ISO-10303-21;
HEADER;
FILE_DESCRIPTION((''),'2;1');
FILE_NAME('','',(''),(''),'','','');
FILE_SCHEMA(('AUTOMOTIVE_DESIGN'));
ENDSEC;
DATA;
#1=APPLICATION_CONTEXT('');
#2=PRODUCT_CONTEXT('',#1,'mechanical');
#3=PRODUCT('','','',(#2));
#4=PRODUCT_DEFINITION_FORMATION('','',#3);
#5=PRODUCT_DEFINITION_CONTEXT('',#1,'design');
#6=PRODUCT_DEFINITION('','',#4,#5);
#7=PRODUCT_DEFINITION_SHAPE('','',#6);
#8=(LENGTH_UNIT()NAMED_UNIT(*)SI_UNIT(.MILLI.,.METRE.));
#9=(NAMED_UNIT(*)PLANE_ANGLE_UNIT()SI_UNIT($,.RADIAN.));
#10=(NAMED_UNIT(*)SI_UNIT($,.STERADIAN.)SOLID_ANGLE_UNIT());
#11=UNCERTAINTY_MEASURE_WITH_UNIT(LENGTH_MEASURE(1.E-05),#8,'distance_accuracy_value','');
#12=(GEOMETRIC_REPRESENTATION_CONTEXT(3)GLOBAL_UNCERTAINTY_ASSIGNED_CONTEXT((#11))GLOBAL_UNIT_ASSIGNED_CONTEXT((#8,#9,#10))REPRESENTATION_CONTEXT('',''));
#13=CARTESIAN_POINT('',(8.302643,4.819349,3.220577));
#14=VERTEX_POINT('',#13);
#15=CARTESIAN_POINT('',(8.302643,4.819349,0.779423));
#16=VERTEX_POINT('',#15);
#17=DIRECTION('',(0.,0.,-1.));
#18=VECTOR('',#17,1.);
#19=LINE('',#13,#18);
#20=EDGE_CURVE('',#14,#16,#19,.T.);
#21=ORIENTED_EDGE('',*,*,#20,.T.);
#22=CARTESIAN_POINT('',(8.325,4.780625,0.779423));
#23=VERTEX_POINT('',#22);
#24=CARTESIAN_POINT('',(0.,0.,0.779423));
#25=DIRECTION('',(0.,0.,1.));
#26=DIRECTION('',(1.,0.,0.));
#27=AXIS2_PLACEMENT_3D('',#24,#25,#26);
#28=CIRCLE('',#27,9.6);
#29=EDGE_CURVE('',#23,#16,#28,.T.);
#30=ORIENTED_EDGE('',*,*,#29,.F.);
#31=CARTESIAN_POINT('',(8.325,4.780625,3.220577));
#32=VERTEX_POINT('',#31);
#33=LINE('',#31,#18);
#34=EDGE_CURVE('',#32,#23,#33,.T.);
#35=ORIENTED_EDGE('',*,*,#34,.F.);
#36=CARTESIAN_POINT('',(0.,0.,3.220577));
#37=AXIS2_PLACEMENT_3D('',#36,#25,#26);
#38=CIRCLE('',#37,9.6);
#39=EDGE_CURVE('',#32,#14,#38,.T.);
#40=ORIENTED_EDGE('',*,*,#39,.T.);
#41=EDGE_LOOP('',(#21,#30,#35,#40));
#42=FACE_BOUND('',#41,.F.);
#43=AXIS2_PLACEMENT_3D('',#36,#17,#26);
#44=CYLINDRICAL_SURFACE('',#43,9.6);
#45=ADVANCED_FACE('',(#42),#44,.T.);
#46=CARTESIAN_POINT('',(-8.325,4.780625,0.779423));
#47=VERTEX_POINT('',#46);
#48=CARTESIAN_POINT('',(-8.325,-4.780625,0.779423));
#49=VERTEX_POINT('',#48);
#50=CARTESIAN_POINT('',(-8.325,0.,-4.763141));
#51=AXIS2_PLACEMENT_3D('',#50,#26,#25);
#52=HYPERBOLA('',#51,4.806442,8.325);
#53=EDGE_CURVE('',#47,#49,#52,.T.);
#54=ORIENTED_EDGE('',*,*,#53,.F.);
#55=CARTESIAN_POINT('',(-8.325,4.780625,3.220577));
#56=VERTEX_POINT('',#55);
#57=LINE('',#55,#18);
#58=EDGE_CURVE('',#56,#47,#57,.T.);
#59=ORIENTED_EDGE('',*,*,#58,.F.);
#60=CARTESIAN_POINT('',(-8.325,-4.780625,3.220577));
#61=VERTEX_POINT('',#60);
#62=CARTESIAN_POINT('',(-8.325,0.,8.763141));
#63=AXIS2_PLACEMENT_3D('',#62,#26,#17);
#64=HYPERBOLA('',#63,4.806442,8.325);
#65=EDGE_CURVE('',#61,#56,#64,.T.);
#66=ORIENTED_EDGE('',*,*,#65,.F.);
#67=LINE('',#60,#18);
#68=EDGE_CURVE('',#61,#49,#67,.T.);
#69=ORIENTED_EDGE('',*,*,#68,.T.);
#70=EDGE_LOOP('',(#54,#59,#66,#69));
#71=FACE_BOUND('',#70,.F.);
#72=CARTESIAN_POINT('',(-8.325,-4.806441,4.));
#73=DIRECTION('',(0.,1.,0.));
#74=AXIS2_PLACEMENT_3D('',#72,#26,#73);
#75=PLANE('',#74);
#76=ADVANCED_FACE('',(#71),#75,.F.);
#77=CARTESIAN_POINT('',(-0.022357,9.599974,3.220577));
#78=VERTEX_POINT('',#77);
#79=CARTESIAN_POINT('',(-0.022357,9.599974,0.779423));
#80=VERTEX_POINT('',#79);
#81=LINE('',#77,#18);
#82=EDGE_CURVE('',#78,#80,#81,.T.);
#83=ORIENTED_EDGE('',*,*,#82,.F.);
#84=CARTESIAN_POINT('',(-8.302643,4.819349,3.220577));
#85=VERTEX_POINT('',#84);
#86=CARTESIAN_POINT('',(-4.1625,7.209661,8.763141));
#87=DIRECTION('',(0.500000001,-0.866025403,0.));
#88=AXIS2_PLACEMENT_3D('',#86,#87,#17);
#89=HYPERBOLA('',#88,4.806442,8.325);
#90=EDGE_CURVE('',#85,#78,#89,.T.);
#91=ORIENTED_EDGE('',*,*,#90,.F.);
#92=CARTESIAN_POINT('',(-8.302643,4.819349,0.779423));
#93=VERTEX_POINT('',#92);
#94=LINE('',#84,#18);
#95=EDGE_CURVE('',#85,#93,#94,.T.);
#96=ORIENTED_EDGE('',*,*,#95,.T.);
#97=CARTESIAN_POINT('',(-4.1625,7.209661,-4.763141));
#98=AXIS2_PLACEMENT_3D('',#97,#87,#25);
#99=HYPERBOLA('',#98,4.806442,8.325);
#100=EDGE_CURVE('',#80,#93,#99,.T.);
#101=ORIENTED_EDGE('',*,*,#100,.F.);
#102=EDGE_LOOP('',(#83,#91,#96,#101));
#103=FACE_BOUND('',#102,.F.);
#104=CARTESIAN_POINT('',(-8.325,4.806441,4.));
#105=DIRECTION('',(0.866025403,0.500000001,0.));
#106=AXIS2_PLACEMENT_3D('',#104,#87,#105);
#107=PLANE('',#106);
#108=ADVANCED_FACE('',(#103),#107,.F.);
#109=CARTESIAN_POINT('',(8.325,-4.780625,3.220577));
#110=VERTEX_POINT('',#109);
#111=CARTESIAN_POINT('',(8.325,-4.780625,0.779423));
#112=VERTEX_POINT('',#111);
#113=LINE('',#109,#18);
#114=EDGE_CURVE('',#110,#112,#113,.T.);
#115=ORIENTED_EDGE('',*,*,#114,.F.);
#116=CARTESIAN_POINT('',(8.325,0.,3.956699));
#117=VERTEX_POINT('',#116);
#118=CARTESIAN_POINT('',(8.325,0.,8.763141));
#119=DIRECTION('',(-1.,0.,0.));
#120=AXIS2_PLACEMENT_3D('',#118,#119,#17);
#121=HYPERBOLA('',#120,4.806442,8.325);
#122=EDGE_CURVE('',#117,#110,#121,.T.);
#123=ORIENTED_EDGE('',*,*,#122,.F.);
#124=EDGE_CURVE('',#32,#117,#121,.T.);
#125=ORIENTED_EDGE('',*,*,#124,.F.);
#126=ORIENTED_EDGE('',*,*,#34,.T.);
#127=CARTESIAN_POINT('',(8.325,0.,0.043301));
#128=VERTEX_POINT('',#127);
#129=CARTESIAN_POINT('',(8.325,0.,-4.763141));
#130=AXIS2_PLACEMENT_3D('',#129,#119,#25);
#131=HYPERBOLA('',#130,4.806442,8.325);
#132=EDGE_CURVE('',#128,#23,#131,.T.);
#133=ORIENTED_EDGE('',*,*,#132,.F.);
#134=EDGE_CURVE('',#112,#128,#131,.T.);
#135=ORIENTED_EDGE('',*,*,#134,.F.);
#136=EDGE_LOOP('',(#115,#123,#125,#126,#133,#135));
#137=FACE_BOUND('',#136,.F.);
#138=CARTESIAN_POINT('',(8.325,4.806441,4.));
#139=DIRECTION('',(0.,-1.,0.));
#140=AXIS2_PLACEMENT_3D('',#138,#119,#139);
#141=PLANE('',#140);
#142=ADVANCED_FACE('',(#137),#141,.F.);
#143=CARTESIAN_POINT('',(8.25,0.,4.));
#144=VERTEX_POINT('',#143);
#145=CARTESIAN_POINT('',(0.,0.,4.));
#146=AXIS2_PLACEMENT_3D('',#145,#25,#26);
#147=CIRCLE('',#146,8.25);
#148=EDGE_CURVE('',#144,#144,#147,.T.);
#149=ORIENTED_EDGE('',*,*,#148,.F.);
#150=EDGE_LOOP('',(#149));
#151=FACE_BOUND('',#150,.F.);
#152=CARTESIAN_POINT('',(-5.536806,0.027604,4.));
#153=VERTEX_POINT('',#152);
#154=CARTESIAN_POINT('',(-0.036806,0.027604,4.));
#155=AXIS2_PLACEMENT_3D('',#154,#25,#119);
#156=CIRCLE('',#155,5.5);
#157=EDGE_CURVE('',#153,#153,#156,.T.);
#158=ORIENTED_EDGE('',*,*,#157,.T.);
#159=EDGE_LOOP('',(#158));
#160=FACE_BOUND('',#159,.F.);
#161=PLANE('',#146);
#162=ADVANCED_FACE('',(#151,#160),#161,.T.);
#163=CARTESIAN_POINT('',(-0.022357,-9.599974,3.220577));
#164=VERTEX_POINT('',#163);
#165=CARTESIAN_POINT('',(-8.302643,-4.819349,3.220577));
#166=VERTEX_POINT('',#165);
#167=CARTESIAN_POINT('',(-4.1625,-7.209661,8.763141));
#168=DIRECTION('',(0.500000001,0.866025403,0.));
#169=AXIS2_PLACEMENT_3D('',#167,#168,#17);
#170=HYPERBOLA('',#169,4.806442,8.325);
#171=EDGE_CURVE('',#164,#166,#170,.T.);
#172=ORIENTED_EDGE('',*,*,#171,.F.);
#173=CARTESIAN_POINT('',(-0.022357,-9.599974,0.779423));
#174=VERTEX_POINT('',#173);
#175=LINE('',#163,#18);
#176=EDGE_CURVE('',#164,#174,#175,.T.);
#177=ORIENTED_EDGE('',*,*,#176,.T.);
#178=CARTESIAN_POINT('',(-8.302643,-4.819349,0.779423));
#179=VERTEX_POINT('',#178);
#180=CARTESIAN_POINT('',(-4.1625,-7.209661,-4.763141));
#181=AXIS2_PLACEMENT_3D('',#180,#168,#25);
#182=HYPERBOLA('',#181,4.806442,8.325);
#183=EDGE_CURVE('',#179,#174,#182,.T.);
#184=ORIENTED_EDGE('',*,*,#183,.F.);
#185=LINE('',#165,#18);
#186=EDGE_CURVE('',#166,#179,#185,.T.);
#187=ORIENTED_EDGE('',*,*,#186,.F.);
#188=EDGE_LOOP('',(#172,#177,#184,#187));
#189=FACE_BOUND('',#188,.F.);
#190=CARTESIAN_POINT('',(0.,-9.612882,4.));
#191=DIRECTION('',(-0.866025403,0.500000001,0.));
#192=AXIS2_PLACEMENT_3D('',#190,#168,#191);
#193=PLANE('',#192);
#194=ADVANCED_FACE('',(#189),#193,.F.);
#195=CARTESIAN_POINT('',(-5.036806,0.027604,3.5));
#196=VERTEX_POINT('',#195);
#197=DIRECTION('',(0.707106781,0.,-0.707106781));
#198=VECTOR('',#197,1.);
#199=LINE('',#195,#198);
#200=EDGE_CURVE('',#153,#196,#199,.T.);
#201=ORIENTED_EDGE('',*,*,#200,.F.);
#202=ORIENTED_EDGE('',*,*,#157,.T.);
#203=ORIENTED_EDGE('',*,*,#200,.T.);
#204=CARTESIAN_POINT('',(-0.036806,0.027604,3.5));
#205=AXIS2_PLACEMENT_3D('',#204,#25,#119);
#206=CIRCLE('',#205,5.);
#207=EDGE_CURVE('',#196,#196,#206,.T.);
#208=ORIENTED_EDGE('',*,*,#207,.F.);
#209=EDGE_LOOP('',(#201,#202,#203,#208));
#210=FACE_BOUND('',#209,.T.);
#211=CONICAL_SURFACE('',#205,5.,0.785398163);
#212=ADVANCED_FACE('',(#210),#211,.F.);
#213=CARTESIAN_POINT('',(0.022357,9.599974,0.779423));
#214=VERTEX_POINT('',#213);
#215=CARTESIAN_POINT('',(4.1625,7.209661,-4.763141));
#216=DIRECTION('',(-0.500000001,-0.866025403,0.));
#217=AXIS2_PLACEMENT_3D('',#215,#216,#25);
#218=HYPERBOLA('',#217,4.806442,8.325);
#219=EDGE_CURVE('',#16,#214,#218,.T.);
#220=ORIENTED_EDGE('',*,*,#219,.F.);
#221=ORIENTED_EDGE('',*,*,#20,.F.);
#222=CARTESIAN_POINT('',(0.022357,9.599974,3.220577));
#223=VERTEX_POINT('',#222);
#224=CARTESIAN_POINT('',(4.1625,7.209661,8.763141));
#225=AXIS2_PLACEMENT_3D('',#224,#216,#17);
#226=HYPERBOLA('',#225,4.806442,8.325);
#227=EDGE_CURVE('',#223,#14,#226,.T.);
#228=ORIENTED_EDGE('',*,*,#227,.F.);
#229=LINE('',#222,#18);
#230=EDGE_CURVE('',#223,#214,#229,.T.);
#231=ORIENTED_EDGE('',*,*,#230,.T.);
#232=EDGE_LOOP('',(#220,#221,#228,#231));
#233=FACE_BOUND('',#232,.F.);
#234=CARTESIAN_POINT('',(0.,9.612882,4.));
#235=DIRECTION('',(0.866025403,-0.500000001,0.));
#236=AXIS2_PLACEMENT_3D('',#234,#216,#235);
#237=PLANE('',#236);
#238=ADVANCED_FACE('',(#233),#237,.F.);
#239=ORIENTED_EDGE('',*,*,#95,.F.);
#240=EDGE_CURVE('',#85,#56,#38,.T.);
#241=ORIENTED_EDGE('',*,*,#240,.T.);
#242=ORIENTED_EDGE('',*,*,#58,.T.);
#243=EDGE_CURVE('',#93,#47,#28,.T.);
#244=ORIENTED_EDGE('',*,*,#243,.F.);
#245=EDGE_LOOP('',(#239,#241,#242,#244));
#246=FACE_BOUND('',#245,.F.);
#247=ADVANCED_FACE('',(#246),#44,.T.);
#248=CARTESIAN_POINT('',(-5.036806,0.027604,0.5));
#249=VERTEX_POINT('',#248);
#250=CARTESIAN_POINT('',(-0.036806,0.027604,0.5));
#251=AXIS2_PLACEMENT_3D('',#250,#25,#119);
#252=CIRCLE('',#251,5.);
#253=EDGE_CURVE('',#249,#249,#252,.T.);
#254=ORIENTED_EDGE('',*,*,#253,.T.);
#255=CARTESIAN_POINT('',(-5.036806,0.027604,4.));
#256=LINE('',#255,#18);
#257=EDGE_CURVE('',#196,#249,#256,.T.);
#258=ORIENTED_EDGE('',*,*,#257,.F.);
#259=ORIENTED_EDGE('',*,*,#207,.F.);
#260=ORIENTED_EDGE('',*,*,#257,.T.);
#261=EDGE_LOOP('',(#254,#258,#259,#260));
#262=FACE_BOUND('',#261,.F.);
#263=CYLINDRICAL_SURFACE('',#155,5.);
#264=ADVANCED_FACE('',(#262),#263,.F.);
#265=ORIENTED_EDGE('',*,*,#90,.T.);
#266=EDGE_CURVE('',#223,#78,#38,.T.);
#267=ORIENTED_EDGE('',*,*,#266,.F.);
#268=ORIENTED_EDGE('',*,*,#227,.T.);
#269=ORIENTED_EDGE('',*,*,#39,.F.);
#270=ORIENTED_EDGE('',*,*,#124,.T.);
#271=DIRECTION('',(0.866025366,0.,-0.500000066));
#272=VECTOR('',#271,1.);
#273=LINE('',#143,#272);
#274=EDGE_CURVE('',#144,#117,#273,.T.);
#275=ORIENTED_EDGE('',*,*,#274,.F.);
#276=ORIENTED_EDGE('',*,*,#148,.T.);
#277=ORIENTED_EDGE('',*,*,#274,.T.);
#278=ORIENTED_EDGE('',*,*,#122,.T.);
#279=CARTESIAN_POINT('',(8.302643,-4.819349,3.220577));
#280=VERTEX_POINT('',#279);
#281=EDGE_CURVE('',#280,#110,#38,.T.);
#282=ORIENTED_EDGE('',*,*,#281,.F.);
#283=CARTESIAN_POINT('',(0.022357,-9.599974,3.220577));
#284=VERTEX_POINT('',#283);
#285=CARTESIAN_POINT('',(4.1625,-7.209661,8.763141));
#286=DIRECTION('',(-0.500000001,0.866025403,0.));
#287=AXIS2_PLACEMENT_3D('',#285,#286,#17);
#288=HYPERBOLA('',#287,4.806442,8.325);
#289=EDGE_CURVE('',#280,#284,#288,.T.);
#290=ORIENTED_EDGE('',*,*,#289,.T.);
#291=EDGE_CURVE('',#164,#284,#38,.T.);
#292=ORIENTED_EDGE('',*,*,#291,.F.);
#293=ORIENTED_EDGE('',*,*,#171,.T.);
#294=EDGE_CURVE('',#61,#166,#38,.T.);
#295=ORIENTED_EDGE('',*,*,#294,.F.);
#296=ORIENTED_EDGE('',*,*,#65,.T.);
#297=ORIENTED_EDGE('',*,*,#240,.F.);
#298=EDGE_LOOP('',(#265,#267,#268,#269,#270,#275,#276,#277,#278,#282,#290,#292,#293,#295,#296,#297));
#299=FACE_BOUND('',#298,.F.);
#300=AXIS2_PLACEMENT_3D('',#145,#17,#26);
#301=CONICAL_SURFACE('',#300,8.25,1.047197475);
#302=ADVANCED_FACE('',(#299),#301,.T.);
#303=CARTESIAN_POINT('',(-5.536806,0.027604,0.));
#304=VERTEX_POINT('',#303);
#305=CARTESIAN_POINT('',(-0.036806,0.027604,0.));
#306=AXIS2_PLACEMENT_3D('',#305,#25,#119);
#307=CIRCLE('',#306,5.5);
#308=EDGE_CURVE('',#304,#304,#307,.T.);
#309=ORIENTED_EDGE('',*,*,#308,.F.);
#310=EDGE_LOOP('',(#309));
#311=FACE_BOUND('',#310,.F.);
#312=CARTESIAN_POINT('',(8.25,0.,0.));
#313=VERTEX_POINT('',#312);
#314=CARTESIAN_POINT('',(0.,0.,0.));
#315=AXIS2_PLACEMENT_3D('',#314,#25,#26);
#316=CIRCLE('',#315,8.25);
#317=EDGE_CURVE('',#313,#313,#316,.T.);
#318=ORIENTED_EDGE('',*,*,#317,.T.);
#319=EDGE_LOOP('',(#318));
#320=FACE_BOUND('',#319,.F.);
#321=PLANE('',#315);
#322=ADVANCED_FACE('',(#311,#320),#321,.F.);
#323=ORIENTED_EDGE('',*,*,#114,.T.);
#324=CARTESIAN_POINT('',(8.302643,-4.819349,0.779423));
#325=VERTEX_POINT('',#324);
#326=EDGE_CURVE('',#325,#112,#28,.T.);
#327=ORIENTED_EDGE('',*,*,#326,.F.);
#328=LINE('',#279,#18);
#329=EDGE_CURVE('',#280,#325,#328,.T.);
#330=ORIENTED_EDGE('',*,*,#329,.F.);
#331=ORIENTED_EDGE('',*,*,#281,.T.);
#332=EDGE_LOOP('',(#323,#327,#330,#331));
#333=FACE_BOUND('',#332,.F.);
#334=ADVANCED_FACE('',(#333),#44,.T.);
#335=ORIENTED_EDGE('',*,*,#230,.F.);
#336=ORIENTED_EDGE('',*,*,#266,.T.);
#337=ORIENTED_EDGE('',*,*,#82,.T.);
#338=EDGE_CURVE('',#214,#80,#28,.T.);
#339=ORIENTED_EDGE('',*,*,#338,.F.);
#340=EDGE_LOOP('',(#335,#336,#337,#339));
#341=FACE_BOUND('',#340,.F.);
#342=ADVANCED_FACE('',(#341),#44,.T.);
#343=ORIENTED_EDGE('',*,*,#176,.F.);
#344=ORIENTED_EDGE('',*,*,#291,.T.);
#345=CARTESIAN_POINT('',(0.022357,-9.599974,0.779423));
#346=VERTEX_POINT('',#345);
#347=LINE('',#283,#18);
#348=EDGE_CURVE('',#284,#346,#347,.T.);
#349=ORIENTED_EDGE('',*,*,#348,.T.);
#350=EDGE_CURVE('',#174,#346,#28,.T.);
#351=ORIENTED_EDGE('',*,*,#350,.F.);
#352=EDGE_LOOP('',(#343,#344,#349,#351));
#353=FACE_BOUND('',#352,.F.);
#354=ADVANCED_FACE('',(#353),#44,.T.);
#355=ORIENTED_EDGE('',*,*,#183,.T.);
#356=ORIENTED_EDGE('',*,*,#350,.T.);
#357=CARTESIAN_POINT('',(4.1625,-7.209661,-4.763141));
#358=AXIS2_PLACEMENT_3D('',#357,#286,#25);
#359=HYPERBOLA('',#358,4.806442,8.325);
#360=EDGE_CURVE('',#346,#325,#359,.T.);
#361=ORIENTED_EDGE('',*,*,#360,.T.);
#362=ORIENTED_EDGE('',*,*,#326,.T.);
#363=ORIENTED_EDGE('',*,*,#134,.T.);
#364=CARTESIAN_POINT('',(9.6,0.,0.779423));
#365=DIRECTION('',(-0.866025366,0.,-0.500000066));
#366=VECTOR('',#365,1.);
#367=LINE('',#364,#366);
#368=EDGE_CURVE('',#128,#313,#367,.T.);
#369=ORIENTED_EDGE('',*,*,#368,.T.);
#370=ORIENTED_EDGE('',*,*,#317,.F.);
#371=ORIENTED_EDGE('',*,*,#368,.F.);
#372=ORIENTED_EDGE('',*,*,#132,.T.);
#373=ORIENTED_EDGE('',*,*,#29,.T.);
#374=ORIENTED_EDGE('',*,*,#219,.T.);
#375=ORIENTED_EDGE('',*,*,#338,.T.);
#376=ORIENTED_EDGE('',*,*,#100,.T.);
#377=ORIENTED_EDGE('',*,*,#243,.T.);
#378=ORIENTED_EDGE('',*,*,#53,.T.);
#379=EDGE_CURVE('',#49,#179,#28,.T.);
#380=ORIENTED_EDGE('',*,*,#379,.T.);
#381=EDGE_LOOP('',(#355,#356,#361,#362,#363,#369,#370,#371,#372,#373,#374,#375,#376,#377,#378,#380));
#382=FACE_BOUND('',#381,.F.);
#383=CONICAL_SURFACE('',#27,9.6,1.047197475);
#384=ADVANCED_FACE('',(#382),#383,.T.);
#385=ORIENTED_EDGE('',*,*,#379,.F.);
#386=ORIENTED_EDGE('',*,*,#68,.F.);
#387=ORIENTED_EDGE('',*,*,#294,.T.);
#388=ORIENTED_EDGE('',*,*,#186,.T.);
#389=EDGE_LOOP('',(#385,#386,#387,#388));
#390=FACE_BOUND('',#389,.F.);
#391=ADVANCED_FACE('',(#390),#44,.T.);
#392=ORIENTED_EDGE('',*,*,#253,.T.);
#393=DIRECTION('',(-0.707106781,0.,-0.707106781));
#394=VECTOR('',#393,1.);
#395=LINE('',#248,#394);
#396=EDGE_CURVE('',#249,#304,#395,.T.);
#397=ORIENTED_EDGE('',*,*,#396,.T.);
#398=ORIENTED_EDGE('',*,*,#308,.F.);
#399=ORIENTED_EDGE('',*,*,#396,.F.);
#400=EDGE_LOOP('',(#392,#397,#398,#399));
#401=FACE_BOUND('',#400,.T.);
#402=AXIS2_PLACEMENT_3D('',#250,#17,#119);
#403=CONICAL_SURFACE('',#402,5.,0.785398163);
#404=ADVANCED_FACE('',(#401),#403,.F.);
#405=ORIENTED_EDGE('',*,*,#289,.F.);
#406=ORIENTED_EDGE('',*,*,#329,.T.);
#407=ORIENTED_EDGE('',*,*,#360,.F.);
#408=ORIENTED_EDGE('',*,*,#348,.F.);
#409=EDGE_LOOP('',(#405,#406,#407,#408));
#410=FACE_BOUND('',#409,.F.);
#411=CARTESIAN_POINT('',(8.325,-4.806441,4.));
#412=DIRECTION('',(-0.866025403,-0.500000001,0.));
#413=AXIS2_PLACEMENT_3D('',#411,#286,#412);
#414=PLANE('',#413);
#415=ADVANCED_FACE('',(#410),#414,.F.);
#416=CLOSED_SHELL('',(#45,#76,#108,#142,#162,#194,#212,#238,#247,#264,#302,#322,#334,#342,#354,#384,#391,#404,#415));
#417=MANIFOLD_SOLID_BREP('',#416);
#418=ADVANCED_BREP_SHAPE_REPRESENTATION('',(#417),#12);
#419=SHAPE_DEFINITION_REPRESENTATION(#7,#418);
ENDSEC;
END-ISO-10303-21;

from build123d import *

# Parameters (mm, degrees)
SKETCH001_R     = 10.612882
POCKET_DEPTH    = 4.001
SKETCH002_R     = 5
POCKET001_DEPTH = 4.001
CHAMFER_SIZE    = 0.5


with BuildPart() as part:
    # Sketch → Revolution (revolve)
    with BuildSketch(Plane.XZ):
        Polygon((0, 4), (8.25, 4), (9.6, 3.220577), (9.6, 0.779423), (8.25, 0), (0, 0), align=None)
    revolve(axis=Axis((0, 0, 0), (0, 0, 1)))

    # Sketch001 → Pocket (cut, through all)
    with BuildSketch(Plane(origin=(0, 0, 4), x_dir=(-1, 0, 0), z_dir=(0, 0, 1))):
        Circle(SKETCH001_R)
        Polygon((-8.325, 4.806441), (0, 9.612882), (8.325, 4.806441), (8.325, -4.806441), (0, -9.612882), (-8.325, -4.806441), align=None, mode=Mode.SUBTRACT)
    extrude(amount=-POCKET_DEPTH, mode=Mode.SUBTRACT)

    # Sketch002 → Pocket001 (cut, through all)
    with BuildSketch(Plane(origin=(0, 0, 4), x_dir=(-1, 0, 0), z_dir=(0, 0, 1))):
        with Locations((0.036806, -0.027604)):
            Circle(SKETCH002_R)
    extrude(amount=-POCKET001_DEPTH, mode=Mode.SUBTRACT)

    # Chamfer
    chamfer_edges = [part.edges().sort_by_distance(p)[0] for p in [
        (4.963194, 0.027604, 4),
        (4.963194, 0.027604, 0),
    ]]
    chamfer(chamfer_edges, length=CHAMFER_SIZE)


solid = part.part
